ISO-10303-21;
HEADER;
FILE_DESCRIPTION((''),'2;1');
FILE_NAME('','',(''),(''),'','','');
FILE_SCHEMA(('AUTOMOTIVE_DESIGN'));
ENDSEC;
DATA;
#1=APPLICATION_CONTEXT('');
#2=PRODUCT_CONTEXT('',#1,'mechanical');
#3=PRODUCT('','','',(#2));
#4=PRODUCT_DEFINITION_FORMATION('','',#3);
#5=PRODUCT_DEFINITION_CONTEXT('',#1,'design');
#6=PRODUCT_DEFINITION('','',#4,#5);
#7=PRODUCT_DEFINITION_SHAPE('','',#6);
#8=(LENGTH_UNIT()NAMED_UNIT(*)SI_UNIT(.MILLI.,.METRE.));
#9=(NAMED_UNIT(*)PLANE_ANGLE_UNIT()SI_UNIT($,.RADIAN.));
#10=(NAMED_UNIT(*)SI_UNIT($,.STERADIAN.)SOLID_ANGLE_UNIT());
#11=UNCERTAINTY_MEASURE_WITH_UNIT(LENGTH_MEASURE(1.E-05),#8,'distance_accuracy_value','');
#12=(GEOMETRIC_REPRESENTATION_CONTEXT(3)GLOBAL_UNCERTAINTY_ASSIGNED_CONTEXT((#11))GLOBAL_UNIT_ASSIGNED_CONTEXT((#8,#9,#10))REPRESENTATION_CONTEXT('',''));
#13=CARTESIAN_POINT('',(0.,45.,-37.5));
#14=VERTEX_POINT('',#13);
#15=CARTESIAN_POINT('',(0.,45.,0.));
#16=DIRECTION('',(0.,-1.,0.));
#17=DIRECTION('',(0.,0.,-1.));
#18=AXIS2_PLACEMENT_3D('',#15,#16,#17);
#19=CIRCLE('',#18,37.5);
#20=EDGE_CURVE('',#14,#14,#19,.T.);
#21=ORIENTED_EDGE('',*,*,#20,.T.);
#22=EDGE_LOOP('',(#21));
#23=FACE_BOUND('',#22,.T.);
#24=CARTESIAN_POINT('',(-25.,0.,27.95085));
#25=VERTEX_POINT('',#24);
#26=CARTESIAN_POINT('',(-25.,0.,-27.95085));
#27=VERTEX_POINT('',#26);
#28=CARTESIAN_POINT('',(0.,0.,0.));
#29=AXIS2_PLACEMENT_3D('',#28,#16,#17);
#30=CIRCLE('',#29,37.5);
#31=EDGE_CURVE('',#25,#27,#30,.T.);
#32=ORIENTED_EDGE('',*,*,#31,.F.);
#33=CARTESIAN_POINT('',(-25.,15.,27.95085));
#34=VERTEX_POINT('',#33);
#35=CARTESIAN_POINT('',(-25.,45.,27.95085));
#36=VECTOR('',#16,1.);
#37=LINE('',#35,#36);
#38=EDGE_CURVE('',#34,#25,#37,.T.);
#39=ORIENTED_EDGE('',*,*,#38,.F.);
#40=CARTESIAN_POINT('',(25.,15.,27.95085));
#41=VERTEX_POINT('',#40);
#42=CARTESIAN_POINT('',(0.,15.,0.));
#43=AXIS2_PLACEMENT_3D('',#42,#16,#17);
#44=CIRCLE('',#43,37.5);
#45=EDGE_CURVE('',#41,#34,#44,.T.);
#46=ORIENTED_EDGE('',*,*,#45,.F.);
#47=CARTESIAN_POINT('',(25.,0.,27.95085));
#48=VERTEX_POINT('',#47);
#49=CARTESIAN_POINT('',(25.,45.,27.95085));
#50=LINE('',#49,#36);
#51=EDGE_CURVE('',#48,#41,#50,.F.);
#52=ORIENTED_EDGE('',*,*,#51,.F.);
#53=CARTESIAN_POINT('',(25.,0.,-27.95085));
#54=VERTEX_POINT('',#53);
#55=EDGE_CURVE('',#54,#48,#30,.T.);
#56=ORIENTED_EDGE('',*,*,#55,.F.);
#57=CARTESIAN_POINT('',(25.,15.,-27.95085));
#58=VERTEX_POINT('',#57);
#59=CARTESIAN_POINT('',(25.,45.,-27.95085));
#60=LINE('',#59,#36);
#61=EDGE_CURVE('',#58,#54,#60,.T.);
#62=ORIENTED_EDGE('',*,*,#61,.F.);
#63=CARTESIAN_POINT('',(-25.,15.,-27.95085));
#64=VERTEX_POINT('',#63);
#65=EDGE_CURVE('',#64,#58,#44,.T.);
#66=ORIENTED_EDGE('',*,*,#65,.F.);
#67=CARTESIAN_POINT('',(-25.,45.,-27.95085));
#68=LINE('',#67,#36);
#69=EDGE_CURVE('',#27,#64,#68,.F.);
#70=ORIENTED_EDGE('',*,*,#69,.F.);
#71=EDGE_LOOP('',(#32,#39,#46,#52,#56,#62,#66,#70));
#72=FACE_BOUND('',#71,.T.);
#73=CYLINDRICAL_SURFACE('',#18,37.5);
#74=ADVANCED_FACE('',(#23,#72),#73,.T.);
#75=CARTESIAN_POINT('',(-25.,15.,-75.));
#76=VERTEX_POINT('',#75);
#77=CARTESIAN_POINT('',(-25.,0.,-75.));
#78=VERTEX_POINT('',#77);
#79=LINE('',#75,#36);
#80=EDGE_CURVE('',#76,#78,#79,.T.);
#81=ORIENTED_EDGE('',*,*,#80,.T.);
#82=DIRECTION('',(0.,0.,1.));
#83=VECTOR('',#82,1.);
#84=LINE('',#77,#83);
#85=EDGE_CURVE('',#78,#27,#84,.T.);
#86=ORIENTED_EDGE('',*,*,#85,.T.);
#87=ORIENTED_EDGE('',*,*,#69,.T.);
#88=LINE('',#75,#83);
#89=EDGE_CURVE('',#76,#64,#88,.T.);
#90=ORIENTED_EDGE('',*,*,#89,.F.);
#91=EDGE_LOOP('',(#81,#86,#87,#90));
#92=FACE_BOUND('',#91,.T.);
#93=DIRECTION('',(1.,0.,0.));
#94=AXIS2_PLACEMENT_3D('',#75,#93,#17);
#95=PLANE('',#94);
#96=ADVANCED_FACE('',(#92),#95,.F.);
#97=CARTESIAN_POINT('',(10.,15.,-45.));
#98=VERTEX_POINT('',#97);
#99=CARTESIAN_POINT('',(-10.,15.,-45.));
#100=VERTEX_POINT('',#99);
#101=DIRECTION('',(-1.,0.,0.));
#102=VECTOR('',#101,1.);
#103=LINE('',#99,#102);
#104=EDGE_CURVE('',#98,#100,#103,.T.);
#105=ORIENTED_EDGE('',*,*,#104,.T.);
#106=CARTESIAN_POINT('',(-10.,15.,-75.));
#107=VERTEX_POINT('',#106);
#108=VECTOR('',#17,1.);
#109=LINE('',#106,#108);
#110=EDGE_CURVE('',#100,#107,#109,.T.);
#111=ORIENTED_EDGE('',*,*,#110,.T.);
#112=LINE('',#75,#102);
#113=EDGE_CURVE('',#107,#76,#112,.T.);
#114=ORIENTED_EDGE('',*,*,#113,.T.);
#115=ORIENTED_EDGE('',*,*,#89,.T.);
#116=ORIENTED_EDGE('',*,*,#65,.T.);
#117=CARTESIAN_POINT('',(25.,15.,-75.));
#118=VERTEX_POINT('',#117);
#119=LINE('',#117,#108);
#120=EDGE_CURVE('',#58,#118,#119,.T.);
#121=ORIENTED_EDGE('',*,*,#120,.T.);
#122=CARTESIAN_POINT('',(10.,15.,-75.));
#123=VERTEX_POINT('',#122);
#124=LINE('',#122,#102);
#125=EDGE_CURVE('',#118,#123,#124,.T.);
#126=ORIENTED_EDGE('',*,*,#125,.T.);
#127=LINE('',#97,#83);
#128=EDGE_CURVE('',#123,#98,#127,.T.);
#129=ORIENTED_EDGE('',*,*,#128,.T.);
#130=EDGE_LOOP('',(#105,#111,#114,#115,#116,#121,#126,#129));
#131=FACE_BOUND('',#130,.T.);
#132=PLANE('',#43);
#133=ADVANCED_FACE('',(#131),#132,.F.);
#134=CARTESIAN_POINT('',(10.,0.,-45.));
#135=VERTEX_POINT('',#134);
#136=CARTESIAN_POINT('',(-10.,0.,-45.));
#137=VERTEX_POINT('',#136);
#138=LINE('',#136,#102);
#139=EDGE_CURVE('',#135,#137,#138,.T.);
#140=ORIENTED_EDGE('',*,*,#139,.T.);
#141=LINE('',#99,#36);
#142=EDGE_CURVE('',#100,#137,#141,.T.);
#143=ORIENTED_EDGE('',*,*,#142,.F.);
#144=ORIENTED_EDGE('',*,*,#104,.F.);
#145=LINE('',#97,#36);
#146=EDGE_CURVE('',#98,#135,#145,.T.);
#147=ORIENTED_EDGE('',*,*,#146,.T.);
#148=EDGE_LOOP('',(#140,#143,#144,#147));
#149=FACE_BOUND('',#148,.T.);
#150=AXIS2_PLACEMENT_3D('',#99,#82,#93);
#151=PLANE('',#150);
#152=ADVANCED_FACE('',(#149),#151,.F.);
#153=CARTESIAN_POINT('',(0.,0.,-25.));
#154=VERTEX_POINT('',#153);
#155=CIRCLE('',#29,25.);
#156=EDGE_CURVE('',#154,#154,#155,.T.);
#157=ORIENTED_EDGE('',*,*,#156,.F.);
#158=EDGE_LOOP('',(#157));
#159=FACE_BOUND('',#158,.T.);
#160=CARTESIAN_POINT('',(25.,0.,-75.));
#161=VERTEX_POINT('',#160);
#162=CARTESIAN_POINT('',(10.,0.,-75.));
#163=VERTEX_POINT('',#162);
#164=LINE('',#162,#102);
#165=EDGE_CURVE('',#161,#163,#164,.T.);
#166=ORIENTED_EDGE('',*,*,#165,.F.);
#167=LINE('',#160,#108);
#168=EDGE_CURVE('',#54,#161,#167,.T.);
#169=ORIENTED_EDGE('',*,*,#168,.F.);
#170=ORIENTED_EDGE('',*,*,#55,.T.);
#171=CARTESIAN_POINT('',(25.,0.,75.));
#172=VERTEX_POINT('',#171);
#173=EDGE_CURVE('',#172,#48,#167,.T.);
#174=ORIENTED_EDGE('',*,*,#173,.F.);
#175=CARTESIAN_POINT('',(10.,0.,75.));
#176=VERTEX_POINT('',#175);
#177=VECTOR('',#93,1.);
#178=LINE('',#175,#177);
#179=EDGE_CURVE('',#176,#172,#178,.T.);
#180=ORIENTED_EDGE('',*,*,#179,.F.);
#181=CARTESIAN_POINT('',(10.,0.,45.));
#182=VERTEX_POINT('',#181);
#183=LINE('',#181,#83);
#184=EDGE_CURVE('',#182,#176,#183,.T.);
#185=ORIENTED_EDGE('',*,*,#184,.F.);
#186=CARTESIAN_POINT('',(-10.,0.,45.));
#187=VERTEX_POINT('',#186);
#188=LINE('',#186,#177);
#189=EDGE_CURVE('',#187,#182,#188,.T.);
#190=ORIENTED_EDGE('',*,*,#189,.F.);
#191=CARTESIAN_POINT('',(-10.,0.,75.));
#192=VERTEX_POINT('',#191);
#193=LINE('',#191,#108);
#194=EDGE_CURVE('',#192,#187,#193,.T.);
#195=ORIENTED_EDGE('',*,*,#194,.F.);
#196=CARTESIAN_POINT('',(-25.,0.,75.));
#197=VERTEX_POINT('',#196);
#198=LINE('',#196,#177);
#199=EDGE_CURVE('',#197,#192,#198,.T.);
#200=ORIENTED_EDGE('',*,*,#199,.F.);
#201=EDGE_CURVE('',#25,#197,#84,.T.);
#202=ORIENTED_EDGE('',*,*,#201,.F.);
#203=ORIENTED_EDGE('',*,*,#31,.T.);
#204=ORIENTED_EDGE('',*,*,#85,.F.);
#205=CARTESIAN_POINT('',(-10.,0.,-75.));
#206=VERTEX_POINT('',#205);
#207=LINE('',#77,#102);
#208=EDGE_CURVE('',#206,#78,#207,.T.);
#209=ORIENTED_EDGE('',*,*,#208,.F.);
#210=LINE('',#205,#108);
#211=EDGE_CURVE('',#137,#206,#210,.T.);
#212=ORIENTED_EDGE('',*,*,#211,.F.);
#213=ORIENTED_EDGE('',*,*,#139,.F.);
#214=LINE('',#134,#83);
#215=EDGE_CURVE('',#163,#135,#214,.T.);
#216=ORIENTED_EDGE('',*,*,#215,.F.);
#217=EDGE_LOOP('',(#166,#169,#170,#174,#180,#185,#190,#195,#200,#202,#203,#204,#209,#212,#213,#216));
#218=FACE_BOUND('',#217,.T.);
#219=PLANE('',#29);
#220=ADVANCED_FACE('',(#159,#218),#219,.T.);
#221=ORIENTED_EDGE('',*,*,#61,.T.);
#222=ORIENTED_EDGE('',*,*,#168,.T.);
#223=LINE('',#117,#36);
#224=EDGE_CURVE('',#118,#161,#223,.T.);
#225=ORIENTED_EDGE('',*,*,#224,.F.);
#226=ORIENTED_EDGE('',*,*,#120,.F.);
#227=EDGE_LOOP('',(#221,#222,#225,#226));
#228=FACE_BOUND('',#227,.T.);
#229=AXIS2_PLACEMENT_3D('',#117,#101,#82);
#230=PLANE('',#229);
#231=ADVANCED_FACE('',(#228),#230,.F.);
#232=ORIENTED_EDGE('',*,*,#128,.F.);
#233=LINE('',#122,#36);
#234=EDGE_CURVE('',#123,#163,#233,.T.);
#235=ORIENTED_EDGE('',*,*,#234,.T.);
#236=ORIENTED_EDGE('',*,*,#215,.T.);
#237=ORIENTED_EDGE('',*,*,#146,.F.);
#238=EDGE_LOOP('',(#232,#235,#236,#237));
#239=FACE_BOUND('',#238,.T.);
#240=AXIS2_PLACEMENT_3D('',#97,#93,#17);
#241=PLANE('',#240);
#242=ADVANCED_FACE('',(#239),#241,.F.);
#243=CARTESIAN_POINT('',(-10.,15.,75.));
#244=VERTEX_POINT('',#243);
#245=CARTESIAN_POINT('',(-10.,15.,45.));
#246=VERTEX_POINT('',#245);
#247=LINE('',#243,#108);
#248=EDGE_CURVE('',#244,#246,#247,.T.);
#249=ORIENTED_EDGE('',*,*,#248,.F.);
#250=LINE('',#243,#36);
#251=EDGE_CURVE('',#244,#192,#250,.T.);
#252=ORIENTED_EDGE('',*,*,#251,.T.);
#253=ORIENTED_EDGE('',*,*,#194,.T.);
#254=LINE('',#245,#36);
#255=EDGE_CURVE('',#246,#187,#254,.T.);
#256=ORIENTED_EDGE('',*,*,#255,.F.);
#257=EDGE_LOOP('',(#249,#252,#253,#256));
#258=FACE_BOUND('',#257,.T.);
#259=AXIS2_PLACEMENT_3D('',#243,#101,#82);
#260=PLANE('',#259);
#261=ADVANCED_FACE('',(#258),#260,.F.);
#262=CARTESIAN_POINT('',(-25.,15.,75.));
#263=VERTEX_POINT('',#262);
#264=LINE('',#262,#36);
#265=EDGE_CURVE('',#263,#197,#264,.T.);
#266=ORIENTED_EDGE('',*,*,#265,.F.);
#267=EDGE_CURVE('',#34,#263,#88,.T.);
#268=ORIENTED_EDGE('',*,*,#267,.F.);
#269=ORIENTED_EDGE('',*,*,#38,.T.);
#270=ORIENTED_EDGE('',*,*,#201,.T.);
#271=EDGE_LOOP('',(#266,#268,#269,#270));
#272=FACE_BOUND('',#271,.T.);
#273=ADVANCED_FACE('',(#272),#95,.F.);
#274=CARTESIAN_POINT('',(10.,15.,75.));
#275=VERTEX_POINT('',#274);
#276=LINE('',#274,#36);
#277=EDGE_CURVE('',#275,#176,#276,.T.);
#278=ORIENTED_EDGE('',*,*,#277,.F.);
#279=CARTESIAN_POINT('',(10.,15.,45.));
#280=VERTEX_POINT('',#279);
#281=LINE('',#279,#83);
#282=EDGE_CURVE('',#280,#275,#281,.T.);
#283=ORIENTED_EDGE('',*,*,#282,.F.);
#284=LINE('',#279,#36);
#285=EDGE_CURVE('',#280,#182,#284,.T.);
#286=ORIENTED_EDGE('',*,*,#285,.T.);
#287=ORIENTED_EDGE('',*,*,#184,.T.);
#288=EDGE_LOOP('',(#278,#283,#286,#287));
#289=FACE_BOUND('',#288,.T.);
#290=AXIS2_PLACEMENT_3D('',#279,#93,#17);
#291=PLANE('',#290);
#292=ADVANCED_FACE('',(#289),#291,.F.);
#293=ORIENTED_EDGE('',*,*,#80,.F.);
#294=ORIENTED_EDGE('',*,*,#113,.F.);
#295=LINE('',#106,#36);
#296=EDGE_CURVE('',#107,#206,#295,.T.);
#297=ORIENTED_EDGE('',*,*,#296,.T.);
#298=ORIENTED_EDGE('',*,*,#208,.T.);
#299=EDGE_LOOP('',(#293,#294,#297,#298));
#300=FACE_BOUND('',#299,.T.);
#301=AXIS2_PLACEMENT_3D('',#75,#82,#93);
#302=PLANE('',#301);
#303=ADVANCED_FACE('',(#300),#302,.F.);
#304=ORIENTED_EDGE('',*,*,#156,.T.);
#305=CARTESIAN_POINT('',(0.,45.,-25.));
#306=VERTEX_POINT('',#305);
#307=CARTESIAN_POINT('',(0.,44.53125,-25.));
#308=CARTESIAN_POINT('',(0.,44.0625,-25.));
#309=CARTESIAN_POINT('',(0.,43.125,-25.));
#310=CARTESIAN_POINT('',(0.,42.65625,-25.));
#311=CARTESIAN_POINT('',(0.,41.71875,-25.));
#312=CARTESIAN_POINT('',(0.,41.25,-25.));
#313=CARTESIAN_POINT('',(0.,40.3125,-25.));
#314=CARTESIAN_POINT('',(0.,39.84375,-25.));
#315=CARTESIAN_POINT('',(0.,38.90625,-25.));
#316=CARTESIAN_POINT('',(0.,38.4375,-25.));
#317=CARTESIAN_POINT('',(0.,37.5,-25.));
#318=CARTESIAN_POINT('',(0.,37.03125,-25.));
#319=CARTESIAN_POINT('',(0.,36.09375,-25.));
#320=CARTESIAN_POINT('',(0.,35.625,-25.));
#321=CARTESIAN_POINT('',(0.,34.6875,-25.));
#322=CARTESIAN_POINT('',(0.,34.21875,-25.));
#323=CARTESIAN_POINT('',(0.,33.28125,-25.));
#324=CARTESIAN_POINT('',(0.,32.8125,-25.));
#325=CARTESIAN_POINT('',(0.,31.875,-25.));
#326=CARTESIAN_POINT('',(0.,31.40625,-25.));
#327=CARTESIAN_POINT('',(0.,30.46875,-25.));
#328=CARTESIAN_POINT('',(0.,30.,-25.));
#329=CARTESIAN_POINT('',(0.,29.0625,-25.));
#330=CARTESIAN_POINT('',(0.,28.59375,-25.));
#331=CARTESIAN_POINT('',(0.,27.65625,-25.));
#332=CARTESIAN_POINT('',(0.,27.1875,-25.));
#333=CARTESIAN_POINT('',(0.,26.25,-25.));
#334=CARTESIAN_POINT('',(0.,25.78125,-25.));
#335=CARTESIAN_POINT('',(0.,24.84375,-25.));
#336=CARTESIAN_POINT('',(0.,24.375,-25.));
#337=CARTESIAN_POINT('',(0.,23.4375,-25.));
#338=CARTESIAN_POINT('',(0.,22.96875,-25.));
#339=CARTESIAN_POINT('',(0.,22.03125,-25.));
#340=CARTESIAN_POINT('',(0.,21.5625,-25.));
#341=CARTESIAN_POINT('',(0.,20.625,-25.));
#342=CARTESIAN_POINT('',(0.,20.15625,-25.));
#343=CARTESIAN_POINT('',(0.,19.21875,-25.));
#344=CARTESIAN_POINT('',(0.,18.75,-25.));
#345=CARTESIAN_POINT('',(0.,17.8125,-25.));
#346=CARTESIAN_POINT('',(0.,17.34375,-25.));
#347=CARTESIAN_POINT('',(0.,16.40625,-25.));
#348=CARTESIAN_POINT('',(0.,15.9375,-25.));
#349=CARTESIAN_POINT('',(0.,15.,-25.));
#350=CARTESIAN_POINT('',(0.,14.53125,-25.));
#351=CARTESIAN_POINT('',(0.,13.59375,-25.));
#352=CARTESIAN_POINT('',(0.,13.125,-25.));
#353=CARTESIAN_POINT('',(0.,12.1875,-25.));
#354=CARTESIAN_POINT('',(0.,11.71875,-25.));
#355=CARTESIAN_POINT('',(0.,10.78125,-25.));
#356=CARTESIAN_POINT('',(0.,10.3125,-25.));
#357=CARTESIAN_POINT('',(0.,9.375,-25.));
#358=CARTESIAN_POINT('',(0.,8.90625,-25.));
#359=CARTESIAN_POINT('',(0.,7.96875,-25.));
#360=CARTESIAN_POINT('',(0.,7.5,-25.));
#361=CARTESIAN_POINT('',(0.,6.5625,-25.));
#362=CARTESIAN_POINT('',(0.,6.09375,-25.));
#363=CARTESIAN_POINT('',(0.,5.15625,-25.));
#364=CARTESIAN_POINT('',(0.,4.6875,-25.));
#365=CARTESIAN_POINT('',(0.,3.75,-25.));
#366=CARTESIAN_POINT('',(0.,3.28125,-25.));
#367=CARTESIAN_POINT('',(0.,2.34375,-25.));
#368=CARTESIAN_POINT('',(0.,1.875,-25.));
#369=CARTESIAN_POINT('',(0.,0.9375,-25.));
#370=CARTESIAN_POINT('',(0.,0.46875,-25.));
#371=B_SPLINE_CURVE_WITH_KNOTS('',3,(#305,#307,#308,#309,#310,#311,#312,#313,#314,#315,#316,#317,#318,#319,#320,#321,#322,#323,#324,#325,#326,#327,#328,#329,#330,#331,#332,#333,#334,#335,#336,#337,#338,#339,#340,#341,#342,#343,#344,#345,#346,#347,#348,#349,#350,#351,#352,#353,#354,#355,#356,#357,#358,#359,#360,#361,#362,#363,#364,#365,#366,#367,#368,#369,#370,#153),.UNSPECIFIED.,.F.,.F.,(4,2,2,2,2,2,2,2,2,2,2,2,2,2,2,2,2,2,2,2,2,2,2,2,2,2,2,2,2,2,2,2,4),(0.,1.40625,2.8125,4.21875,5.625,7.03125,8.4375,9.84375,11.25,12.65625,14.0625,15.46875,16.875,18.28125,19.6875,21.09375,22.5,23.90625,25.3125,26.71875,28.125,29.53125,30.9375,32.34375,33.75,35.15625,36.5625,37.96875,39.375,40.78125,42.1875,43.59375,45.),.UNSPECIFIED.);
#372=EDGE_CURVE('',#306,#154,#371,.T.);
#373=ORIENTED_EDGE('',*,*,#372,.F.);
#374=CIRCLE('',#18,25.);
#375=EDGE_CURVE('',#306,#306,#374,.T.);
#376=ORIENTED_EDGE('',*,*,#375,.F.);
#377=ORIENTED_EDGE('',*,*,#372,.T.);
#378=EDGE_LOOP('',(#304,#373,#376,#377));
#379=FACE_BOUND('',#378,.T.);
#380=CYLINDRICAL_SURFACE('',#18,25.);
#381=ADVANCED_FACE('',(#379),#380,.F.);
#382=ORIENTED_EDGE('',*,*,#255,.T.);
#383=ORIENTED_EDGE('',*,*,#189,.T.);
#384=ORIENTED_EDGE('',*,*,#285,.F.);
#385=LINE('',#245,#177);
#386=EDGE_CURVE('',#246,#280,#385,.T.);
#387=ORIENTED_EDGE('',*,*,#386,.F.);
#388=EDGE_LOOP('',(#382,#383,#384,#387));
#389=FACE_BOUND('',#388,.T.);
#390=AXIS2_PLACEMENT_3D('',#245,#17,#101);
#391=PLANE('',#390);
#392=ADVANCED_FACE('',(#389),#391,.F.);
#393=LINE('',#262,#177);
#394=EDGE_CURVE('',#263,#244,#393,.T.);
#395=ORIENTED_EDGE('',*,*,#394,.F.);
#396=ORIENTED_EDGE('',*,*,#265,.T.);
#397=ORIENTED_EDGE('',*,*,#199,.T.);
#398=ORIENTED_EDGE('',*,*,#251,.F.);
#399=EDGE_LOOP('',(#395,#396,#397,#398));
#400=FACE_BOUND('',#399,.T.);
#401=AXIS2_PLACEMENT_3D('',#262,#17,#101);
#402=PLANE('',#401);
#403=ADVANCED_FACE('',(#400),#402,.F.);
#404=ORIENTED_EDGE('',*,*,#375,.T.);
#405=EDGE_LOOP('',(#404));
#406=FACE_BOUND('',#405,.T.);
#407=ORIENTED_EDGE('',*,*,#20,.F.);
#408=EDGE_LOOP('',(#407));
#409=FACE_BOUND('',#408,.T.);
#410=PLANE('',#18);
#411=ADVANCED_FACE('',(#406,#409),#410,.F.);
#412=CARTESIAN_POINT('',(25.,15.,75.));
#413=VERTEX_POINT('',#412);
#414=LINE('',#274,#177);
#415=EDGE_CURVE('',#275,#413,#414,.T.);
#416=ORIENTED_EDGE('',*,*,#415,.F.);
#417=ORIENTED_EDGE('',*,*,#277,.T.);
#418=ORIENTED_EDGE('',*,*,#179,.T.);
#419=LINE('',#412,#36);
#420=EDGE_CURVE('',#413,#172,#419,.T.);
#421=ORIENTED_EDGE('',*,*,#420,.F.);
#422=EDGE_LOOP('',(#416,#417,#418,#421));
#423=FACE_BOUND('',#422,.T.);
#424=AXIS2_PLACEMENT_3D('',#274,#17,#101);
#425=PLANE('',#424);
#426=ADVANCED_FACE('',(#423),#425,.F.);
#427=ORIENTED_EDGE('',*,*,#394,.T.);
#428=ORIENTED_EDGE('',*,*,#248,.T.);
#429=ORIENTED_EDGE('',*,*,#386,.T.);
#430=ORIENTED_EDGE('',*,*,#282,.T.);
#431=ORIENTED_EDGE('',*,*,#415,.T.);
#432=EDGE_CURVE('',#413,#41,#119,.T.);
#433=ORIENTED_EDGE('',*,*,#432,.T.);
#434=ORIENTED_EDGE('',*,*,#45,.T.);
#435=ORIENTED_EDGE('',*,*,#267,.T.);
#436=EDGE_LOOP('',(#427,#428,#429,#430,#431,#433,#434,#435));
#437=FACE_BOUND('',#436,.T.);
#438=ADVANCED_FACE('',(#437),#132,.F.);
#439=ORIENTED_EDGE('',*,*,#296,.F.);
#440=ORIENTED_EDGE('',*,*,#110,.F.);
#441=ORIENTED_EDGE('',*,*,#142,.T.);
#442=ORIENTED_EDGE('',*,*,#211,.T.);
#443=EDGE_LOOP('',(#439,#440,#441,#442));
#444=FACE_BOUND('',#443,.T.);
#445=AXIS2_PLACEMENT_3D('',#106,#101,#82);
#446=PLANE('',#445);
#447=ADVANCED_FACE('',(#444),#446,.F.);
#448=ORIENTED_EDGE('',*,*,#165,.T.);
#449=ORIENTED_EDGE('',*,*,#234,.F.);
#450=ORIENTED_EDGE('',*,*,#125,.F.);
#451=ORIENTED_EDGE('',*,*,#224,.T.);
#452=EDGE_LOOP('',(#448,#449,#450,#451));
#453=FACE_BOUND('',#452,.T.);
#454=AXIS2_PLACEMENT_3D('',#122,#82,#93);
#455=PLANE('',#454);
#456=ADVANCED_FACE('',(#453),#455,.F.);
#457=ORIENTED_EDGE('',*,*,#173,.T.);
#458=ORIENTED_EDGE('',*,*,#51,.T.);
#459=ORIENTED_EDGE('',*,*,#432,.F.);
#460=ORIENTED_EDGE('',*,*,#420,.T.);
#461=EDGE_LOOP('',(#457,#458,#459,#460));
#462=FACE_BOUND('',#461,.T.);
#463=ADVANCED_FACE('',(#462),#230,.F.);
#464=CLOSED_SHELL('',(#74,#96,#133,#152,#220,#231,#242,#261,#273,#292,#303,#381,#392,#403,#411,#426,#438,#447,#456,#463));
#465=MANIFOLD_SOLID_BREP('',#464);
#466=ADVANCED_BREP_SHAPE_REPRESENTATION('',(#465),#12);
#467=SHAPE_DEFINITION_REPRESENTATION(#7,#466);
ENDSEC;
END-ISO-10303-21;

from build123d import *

# Parameters (mm, degrees)
BOSS_EXTRUDE1_DEPTH = 15
SKETCH3_R           = 37.5
SKETCH3_R_2         = 25
BOSS_EXTRUDE2_DEPTH = 45
CUT_EXTRUDE1_START  = -45
SKETCH4_R           = 25
CUT_EXTRUDE1_DEPTH  = 45


with BuildPart() as part:
    # Sketch1 → Boss-Extrude1 (new body)
    with BuildSketch(Plane(origin=(0, 0, 0), x_dir=(1, 0, 0), z_dir=(0, 1, 0))):
        Polygon((-25, 75), (-25, -75), (-10, -75), (-10, -45), (10, -45), (10, -75), (25, -75), (25, 75), (10, 75), (10, 45), (-10, 45), (-10, 75), align=None)
    extrude(amount=BOSS_EXTRUDE1_DEPTH)

    # Sketch3 → Boss-Extrude2 (add)
    with BuildSketch(Plane.XZ):
        with Locations(Location((0, 0, 0), (0, 0, 270))):
            Circle(SKETCH3_R)
        with Locations(Location((0, 0, 0), (0, 0, 270))):
            Circle(SKETCH3_R_2, mode=Mode.SUBTRACT)
    extrude(amount=-BOSS_EXTRUDE2_DEPTH)

    # Sketch4 → Cut-Extrude1 (cut)
    with BuildSketch(Plane(origin=(0, 15, 0), x_dir=(1, 0, 0), z_dir=(0, 1, 0)).offset(CUT_EXTRUDE1_START)):
        with Locations(Location((0, 0, 0), (0, 0, 90))):
            Circle(SKETCH4_R)
    extrude(amount=CUT_EXTRUDE1_DEPTH, mode=Mode.SUBTRACT)


solid = part.part
